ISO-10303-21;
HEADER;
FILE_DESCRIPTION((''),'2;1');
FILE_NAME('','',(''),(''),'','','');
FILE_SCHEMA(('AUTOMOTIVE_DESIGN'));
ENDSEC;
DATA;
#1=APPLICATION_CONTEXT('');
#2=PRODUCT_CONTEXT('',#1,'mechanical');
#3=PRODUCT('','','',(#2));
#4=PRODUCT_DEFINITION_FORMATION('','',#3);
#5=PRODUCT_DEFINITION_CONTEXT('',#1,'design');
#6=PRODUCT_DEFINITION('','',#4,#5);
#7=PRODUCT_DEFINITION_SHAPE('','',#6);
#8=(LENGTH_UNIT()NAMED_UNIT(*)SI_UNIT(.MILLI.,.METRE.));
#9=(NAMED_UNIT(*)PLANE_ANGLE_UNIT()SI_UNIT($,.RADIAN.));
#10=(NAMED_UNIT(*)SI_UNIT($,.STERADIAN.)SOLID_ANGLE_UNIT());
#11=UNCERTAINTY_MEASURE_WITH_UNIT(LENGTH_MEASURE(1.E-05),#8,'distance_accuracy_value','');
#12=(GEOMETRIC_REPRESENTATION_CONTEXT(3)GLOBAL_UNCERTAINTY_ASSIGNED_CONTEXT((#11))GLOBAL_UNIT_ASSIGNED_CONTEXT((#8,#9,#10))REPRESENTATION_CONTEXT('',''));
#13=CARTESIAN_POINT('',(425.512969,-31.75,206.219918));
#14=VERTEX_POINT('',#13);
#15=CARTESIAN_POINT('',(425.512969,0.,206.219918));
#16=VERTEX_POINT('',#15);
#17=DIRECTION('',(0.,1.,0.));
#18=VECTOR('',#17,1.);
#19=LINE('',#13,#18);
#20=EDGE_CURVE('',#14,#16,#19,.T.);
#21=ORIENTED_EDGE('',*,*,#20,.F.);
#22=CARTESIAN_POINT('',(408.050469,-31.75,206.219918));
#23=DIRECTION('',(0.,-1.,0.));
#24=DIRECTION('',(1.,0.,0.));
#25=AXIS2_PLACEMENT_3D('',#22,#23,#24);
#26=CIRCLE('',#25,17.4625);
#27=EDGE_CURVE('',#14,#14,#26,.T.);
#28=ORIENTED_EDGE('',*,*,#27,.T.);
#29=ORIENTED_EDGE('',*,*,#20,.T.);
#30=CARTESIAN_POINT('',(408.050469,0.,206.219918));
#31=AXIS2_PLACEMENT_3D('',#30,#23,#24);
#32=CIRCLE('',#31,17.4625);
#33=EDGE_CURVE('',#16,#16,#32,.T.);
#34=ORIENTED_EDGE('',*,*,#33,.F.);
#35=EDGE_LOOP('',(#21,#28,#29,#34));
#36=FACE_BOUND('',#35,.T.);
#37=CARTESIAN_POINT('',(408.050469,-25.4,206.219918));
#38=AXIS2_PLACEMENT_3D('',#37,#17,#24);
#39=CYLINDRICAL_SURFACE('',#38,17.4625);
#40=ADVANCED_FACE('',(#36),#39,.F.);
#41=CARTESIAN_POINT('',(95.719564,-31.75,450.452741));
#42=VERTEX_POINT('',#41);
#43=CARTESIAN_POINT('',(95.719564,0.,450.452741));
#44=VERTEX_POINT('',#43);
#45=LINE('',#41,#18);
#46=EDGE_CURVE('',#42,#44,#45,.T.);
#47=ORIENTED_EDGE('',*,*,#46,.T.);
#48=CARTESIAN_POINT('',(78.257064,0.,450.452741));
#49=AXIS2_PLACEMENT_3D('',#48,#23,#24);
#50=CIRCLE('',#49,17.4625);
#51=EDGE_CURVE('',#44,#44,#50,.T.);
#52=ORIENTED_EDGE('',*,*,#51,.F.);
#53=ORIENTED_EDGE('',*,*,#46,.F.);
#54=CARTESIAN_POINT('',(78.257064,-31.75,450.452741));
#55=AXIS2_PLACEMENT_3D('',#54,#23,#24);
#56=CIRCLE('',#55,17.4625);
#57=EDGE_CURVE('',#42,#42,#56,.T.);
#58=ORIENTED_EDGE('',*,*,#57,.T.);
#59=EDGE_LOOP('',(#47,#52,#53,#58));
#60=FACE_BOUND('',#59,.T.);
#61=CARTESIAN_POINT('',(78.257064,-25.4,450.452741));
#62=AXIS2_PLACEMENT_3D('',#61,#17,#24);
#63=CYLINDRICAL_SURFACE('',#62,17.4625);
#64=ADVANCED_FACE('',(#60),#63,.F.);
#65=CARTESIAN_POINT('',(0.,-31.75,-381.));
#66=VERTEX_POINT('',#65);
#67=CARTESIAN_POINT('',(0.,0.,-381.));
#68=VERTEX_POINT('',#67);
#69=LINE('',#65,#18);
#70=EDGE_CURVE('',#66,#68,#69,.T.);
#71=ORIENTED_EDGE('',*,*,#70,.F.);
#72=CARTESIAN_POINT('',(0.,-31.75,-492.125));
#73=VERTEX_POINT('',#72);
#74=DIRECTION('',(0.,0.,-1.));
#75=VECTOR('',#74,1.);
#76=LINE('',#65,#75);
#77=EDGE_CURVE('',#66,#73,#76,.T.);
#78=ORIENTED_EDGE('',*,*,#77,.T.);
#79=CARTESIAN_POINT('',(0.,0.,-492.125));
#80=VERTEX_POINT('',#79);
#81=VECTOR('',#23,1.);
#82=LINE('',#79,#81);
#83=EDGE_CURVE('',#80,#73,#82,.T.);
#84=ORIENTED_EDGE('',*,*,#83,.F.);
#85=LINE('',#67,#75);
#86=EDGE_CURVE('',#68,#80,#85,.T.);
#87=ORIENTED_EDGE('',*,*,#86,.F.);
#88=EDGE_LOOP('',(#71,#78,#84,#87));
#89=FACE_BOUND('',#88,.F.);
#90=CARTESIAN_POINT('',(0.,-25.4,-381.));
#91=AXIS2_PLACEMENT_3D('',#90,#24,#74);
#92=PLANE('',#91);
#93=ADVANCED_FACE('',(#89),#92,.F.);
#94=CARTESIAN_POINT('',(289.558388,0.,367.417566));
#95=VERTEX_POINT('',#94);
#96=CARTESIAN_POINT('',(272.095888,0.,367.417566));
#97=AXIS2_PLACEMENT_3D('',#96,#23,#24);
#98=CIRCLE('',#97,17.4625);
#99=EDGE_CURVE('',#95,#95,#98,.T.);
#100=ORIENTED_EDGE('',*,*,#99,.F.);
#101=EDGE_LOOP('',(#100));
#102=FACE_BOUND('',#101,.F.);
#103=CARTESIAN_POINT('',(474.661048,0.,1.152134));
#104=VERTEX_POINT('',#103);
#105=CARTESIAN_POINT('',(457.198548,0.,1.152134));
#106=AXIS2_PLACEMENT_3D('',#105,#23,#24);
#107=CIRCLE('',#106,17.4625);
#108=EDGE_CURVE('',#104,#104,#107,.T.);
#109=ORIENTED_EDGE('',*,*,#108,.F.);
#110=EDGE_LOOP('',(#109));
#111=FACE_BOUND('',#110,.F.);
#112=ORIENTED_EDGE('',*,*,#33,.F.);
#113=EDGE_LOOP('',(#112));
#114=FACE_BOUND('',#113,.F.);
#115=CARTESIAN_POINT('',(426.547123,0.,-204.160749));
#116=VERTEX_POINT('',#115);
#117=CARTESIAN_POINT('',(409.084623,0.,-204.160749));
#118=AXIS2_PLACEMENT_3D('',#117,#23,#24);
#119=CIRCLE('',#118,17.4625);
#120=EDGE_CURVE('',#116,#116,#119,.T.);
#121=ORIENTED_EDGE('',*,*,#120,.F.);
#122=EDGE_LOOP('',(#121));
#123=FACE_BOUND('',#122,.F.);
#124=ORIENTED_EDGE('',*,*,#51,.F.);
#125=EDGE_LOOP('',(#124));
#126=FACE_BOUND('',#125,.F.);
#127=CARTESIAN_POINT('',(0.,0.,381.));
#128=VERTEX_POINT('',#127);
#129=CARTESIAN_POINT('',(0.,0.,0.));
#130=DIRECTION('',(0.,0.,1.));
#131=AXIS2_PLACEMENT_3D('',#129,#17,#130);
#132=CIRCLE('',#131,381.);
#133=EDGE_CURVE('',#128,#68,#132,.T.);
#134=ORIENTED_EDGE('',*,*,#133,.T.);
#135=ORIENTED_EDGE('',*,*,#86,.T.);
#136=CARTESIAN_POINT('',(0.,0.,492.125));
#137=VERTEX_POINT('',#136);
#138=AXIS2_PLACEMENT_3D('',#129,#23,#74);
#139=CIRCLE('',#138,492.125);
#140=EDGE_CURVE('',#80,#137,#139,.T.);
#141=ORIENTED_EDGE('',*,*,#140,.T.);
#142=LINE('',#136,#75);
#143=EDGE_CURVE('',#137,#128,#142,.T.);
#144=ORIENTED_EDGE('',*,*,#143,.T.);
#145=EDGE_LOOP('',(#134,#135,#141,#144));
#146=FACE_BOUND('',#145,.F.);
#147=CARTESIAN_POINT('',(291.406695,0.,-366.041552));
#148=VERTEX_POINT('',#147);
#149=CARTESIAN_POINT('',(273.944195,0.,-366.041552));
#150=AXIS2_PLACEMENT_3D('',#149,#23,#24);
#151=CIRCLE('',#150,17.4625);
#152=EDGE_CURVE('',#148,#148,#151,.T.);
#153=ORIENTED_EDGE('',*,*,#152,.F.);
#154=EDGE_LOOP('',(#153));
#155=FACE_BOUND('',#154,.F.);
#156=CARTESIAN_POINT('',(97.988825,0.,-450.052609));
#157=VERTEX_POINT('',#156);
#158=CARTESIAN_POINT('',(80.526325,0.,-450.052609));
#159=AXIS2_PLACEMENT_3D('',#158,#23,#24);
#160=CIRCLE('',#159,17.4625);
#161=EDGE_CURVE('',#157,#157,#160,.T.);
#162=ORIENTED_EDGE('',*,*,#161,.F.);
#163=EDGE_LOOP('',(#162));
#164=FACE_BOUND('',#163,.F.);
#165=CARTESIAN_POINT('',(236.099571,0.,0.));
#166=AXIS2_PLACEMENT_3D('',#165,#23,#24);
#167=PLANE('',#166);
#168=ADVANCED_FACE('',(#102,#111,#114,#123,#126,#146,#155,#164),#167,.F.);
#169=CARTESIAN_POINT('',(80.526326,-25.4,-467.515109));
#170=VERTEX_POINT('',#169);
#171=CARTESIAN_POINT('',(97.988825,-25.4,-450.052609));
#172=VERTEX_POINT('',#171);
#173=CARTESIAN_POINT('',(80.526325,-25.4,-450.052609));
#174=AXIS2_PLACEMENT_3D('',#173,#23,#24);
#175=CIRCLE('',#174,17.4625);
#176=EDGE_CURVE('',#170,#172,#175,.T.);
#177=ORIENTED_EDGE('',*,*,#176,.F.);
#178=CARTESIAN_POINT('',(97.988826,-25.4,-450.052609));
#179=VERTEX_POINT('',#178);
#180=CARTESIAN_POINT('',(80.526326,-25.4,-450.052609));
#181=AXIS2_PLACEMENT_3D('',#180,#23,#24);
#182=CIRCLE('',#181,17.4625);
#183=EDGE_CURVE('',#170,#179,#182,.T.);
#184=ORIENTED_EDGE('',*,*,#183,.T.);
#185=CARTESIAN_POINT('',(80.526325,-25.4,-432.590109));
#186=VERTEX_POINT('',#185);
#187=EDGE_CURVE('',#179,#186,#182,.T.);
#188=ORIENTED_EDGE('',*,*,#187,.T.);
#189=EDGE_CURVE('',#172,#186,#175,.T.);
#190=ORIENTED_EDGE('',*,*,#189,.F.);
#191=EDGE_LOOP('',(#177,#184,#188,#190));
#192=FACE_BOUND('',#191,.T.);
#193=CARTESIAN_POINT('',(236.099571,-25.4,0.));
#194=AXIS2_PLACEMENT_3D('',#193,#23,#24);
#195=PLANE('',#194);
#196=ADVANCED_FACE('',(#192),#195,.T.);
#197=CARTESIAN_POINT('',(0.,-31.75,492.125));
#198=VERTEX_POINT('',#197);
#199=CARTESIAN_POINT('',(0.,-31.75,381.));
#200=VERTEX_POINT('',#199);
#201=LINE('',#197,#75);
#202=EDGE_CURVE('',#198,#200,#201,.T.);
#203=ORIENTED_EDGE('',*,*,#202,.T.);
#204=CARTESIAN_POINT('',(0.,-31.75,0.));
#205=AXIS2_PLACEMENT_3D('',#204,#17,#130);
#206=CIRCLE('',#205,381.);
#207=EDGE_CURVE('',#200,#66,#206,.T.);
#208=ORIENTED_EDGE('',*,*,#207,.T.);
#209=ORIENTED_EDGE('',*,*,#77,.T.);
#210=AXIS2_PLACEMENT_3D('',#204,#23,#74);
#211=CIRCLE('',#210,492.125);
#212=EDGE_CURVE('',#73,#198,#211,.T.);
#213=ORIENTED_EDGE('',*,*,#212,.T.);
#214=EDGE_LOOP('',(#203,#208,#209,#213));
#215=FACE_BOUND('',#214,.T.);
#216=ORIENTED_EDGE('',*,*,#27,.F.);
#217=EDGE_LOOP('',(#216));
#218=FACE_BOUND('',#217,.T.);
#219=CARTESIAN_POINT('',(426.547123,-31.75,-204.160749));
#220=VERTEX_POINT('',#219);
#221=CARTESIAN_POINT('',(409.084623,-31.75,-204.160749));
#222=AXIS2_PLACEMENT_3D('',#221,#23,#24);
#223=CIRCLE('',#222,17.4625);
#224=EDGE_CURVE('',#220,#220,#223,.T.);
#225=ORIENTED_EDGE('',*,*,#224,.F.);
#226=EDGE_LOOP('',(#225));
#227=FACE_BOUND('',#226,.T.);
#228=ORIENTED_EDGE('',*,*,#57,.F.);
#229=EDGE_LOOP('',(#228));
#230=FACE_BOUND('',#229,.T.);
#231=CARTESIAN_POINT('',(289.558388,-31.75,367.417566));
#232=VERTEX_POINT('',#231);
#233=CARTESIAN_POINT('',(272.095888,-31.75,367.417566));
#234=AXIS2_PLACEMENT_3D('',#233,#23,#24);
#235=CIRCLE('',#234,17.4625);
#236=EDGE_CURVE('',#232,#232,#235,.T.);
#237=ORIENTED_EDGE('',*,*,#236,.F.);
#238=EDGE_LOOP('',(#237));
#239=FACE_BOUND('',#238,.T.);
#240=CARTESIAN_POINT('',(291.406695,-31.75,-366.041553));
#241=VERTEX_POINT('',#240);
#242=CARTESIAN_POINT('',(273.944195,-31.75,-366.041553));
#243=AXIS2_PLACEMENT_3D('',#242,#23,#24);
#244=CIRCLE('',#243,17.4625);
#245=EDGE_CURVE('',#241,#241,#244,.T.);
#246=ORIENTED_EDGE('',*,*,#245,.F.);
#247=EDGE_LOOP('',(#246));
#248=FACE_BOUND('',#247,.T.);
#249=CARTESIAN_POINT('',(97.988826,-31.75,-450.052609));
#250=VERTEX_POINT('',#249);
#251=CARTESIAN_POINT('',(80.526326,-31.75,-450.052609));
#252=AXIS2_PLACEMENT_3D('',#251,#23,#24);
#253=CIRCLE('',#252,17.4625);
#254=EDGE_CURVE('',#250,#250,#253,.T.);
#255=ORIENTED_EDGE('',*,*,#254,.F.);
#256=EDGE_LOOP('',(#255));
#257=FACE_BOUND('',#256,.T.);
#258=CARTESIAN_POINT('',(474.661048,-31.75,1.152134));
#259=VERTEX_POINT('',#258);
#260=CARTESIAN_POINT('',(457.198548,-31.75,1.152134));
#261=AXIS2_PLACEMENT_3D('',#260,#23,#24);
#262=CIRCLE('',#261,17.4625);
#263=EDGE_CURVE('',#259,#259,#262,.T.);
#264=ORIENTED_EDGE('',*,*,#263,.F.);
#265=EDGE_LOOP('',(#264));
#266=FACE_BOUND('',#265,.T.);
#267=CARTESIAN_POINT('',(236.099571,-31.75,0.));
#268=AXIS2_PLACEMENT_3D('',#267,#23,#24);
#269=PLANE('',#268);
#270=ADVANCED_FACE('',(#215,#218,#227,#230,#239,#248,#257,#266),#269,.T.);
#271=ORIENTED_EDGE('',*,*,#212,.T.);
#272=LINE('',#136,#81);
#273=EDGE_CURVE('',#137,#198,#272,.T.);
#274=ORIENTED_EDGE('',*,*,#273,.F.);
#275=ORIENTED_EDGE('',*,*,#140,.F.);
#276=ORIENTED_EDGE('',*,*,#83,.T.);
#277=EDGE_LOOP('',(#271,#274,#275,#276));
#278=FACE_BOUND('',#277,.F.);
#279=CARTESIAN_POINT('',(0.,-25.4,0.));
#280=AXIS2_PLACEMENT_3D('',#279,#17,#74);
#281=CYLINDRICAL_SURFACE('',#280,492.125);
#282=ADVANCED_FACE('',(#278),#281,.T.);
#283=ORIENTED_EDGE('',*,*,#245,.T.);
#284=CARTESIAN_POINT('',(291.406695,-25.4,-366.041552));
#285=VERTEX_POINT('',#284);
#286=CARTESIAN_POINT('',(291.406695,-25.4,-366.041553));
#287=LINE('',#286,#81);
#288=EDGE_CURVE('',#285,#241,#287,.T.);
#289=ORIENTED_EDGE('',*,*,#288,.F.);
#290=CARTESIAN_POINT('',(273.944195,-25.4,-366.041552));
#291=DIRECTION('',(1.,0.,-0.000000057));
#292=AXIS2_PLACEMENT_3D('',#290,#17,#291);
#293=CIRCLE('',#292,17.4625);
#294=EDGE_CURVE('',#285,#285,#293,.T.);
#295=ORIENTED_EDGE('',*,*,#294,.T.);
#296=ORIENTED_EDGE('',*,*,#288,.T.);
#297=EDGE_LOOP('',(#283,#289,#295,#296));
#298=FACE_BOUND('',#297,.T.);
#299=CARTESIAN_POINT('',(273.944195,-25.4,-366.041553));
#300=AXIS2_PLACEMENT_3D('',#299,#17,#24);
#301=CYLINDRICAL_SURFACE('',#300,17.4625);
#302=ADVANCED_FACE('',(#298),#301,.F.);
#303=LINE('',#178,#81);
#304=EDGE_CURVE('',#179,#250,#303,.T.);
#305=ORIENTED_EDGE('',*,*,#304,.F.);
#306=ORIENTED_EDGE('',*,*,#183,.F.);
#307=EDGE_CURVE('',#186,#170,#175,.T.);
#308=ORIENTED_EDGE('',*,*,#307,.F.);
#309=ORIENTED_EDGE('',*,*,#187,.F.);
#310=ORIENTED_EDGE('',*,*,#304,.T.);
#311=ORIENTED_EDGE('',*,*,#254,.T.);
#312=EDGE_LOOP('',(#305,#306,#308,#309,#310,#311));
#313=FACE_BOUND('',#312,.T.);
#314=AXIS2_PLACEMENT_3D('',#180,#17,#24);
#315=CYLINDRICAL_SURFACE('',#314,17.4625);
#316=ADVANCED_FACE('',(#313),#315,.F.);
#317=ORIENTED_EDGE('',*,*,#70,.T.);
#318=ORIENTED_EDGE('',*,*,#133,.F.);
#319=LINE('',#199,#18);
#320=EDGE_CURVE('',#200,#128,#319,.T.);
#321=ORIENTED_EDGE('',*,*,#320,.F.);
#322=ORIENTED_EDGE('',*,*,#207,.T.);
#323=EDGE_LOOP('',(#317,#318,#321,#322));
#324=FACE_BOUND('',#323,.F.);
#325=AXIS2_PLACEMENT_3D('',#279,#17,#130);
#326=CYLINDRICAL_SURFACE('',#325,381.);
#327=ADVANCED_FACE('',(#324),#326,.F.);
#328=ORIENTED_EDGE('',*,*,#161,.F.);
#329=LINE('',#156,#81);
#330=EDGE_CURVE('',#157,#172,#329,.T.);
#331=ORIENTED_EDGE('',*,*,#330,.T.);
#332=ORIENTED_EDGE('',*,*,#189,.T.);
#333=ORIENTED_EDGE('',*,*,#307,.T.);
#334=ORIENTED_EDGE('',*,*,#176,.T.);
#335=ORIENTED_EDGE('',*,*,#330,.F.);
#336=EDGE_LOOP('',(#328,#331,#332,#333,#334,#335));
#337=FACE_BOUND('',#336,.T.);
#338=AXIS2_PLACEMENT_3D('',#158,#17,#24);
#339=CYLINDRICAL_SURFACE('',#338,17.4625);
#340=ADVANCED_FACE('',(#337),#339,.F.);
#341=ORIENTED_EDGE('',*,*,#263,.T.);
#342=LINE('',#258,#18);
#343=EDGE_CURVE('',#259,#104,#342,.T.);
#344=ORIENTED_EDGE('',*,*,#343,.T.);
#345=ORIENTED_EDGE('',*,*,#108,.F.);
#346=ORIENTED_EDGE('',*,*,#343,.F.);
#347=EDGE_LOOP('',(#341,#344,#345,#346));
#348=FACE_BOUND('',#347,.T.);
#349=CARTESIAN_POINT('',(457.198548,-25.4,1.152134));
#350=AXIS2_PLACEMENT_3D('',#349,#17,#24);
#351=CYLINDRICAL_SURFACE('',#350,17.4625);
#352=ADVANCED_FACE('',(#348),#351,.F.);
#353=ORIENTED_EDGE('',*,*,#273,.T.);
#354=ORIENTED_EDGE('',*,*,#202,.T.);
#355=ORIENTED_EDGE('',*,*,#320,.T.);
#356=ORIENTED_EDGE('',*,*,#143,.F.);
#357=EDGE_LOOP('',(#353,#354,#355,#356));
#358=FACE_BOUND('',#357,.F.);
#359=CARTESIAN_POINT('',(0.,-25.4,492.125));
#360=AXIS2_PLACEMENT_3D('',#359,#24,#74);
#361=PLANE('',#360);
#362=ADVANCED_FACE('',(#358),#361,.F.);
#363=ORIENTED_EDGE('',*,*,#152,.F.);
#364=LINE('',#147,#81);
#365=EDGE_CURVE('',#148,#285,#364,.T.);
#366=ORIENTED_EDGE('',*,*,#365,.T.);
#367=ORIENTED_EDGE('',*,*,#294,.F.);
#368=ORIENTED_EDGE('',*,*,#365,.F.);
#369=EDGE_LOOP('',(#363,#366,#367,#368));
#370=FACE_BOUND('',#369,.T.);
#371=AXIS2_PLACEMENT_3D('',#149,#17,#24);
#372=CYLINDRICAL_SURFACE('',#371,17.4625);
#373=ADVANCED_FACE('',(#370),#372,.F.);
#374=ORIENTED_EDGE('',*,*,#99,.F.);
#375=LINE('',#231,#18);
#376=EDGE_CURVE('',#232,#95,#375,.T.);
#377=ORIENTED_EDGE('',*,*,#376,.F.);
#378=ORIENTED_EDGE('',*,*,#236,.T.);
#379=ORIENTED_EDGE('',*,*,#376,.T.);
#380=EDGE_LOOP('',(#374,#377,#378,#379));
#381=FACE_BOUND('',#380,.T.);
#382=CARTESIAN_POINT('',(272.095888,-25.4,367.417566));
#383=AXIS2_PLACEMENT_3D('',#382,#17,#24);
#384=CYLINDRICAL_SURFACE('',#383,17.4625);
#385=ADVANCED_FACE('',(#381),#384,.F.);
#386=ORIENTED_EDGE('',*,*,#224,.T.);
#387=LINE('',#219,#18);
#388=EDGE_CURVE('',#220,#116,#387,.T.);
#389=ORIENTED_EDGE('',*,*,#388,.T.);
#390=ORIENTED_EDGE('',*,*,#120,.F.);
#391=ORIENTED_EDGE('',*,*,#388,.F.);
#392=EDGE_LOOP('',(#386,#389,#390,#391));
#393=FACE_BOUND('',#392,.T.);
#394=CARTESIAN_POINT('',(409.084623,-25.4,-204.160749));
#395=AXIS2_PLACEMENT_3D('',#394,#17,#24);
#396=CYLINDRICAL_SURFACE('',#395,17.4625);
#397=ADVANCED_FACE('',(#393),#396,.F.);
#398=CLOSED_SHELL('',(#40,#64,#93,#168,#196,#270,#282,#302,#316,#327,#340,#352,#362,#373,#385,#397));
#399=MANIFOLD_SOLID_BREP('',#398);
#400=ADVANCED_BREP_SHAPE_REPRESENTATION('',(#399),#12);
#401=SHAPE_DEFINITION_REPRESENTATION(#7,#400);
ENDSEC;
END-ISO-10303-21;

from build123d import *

# Parameters (mm, degrees)
F0_R      = 17.4625
F1_DEPTH  = 25.4
F1_FACE_R = 17.4625
F2_DEPTH  = 6.35


with BuildPart() as f1:
    # F0 (on Front) → F1 (new body)
    with BuildSketch(Plane.XZ):
        with BuildLine():
            ThreePointArc((0, -492.125), (492.125, 0), (0, 492.125))
            Line((0, 492.125), (0, 381))
            ThreePointArc((0, 381), (381, 0), (0, -381))
            Line((0, -381), (0, -492.125))
        make_face()
        with Locations((80.526325, -450.052609)):
            Circle(F0_R, mode=Mode.SUBTRACT)
        with Locations((273.944195, -366.041552)):
            Circle(F0_R, mode=Mode.SUBTRACT)
        with Locations((409.084623, -204.160749)):
            Circle(F0_R, mode=Mode.SUBTRACT)
        with Locations((78.257064, 450.452741)):
            Circle(F0_R, mode=Mode.SUBTRACT)
        with Locations((457.198548, 1.152134)):
            Circle(F0_R, mode=Mode.SUBTRACT)
        with Locations((408.050469, 206.219918)):
            Circle(F0_R, mode=Mode.SUBTRACT)
        with Locations((272.095888, 367.417566)):
            Circle(F0_R, mode=Mode.SUBTRACT)
    extrude(amount=F1_DEPTH)

    # F1_face (on face) → F2 (join)
    with BuildSketch(Plane(origin=(279.272533, -25.4, -0.032793), x_dir=(1, 0, 0), z_dir=(0, -1, 0))):
        with BuildLine():
            Line((-279.272533, -380.967207), (-279.272533, -492.092207))
            ThreePointArc((-279.272533, -492.092207), (212.852467, 0.032793), (-279.272533, 492.157793))
            Line((-279.272533, 492.157793), (-279.272533, 381.032793))
            ThreePointArc((-279.272533, 381.032793), (101.727467, 0.032793), (-279.272533, -380.967207))
        make_face()
        with Locations((-198.746207, -450.019816)):
            Circle(F1_FACE_R, mode=Mode.SUBTRACT)
        with Locations((-5.328338, -366.00876)):
            Circle(F1_FACE_R, mode=Mode.SUBTRACT)
        with Locations((129.81209, -204.127956)):
            Circle(F1_FACE_R, mode=Mode.SUBTRACT)
        with Locations((-201.015469, 450.485534)):
            Circle(F1_FACE_R, mode=Mode.SUBTRACT)
        with Locations((177.926015, 1.184927)):
            Circle(F1_FACE_R, mode=Mode.SUBTRACT)
        with Locations((128.777936, 206.252711)):
            Circle(F1_FACE_R, mode=Mode.SUBTRACT)
        with Locations((-7.176645, 367.450359)):
            Circle(F1_FACE_R, mode=Mode.SUBTRACT)
    extrude(amount=F2_DEPTH)


solid = f1.part
